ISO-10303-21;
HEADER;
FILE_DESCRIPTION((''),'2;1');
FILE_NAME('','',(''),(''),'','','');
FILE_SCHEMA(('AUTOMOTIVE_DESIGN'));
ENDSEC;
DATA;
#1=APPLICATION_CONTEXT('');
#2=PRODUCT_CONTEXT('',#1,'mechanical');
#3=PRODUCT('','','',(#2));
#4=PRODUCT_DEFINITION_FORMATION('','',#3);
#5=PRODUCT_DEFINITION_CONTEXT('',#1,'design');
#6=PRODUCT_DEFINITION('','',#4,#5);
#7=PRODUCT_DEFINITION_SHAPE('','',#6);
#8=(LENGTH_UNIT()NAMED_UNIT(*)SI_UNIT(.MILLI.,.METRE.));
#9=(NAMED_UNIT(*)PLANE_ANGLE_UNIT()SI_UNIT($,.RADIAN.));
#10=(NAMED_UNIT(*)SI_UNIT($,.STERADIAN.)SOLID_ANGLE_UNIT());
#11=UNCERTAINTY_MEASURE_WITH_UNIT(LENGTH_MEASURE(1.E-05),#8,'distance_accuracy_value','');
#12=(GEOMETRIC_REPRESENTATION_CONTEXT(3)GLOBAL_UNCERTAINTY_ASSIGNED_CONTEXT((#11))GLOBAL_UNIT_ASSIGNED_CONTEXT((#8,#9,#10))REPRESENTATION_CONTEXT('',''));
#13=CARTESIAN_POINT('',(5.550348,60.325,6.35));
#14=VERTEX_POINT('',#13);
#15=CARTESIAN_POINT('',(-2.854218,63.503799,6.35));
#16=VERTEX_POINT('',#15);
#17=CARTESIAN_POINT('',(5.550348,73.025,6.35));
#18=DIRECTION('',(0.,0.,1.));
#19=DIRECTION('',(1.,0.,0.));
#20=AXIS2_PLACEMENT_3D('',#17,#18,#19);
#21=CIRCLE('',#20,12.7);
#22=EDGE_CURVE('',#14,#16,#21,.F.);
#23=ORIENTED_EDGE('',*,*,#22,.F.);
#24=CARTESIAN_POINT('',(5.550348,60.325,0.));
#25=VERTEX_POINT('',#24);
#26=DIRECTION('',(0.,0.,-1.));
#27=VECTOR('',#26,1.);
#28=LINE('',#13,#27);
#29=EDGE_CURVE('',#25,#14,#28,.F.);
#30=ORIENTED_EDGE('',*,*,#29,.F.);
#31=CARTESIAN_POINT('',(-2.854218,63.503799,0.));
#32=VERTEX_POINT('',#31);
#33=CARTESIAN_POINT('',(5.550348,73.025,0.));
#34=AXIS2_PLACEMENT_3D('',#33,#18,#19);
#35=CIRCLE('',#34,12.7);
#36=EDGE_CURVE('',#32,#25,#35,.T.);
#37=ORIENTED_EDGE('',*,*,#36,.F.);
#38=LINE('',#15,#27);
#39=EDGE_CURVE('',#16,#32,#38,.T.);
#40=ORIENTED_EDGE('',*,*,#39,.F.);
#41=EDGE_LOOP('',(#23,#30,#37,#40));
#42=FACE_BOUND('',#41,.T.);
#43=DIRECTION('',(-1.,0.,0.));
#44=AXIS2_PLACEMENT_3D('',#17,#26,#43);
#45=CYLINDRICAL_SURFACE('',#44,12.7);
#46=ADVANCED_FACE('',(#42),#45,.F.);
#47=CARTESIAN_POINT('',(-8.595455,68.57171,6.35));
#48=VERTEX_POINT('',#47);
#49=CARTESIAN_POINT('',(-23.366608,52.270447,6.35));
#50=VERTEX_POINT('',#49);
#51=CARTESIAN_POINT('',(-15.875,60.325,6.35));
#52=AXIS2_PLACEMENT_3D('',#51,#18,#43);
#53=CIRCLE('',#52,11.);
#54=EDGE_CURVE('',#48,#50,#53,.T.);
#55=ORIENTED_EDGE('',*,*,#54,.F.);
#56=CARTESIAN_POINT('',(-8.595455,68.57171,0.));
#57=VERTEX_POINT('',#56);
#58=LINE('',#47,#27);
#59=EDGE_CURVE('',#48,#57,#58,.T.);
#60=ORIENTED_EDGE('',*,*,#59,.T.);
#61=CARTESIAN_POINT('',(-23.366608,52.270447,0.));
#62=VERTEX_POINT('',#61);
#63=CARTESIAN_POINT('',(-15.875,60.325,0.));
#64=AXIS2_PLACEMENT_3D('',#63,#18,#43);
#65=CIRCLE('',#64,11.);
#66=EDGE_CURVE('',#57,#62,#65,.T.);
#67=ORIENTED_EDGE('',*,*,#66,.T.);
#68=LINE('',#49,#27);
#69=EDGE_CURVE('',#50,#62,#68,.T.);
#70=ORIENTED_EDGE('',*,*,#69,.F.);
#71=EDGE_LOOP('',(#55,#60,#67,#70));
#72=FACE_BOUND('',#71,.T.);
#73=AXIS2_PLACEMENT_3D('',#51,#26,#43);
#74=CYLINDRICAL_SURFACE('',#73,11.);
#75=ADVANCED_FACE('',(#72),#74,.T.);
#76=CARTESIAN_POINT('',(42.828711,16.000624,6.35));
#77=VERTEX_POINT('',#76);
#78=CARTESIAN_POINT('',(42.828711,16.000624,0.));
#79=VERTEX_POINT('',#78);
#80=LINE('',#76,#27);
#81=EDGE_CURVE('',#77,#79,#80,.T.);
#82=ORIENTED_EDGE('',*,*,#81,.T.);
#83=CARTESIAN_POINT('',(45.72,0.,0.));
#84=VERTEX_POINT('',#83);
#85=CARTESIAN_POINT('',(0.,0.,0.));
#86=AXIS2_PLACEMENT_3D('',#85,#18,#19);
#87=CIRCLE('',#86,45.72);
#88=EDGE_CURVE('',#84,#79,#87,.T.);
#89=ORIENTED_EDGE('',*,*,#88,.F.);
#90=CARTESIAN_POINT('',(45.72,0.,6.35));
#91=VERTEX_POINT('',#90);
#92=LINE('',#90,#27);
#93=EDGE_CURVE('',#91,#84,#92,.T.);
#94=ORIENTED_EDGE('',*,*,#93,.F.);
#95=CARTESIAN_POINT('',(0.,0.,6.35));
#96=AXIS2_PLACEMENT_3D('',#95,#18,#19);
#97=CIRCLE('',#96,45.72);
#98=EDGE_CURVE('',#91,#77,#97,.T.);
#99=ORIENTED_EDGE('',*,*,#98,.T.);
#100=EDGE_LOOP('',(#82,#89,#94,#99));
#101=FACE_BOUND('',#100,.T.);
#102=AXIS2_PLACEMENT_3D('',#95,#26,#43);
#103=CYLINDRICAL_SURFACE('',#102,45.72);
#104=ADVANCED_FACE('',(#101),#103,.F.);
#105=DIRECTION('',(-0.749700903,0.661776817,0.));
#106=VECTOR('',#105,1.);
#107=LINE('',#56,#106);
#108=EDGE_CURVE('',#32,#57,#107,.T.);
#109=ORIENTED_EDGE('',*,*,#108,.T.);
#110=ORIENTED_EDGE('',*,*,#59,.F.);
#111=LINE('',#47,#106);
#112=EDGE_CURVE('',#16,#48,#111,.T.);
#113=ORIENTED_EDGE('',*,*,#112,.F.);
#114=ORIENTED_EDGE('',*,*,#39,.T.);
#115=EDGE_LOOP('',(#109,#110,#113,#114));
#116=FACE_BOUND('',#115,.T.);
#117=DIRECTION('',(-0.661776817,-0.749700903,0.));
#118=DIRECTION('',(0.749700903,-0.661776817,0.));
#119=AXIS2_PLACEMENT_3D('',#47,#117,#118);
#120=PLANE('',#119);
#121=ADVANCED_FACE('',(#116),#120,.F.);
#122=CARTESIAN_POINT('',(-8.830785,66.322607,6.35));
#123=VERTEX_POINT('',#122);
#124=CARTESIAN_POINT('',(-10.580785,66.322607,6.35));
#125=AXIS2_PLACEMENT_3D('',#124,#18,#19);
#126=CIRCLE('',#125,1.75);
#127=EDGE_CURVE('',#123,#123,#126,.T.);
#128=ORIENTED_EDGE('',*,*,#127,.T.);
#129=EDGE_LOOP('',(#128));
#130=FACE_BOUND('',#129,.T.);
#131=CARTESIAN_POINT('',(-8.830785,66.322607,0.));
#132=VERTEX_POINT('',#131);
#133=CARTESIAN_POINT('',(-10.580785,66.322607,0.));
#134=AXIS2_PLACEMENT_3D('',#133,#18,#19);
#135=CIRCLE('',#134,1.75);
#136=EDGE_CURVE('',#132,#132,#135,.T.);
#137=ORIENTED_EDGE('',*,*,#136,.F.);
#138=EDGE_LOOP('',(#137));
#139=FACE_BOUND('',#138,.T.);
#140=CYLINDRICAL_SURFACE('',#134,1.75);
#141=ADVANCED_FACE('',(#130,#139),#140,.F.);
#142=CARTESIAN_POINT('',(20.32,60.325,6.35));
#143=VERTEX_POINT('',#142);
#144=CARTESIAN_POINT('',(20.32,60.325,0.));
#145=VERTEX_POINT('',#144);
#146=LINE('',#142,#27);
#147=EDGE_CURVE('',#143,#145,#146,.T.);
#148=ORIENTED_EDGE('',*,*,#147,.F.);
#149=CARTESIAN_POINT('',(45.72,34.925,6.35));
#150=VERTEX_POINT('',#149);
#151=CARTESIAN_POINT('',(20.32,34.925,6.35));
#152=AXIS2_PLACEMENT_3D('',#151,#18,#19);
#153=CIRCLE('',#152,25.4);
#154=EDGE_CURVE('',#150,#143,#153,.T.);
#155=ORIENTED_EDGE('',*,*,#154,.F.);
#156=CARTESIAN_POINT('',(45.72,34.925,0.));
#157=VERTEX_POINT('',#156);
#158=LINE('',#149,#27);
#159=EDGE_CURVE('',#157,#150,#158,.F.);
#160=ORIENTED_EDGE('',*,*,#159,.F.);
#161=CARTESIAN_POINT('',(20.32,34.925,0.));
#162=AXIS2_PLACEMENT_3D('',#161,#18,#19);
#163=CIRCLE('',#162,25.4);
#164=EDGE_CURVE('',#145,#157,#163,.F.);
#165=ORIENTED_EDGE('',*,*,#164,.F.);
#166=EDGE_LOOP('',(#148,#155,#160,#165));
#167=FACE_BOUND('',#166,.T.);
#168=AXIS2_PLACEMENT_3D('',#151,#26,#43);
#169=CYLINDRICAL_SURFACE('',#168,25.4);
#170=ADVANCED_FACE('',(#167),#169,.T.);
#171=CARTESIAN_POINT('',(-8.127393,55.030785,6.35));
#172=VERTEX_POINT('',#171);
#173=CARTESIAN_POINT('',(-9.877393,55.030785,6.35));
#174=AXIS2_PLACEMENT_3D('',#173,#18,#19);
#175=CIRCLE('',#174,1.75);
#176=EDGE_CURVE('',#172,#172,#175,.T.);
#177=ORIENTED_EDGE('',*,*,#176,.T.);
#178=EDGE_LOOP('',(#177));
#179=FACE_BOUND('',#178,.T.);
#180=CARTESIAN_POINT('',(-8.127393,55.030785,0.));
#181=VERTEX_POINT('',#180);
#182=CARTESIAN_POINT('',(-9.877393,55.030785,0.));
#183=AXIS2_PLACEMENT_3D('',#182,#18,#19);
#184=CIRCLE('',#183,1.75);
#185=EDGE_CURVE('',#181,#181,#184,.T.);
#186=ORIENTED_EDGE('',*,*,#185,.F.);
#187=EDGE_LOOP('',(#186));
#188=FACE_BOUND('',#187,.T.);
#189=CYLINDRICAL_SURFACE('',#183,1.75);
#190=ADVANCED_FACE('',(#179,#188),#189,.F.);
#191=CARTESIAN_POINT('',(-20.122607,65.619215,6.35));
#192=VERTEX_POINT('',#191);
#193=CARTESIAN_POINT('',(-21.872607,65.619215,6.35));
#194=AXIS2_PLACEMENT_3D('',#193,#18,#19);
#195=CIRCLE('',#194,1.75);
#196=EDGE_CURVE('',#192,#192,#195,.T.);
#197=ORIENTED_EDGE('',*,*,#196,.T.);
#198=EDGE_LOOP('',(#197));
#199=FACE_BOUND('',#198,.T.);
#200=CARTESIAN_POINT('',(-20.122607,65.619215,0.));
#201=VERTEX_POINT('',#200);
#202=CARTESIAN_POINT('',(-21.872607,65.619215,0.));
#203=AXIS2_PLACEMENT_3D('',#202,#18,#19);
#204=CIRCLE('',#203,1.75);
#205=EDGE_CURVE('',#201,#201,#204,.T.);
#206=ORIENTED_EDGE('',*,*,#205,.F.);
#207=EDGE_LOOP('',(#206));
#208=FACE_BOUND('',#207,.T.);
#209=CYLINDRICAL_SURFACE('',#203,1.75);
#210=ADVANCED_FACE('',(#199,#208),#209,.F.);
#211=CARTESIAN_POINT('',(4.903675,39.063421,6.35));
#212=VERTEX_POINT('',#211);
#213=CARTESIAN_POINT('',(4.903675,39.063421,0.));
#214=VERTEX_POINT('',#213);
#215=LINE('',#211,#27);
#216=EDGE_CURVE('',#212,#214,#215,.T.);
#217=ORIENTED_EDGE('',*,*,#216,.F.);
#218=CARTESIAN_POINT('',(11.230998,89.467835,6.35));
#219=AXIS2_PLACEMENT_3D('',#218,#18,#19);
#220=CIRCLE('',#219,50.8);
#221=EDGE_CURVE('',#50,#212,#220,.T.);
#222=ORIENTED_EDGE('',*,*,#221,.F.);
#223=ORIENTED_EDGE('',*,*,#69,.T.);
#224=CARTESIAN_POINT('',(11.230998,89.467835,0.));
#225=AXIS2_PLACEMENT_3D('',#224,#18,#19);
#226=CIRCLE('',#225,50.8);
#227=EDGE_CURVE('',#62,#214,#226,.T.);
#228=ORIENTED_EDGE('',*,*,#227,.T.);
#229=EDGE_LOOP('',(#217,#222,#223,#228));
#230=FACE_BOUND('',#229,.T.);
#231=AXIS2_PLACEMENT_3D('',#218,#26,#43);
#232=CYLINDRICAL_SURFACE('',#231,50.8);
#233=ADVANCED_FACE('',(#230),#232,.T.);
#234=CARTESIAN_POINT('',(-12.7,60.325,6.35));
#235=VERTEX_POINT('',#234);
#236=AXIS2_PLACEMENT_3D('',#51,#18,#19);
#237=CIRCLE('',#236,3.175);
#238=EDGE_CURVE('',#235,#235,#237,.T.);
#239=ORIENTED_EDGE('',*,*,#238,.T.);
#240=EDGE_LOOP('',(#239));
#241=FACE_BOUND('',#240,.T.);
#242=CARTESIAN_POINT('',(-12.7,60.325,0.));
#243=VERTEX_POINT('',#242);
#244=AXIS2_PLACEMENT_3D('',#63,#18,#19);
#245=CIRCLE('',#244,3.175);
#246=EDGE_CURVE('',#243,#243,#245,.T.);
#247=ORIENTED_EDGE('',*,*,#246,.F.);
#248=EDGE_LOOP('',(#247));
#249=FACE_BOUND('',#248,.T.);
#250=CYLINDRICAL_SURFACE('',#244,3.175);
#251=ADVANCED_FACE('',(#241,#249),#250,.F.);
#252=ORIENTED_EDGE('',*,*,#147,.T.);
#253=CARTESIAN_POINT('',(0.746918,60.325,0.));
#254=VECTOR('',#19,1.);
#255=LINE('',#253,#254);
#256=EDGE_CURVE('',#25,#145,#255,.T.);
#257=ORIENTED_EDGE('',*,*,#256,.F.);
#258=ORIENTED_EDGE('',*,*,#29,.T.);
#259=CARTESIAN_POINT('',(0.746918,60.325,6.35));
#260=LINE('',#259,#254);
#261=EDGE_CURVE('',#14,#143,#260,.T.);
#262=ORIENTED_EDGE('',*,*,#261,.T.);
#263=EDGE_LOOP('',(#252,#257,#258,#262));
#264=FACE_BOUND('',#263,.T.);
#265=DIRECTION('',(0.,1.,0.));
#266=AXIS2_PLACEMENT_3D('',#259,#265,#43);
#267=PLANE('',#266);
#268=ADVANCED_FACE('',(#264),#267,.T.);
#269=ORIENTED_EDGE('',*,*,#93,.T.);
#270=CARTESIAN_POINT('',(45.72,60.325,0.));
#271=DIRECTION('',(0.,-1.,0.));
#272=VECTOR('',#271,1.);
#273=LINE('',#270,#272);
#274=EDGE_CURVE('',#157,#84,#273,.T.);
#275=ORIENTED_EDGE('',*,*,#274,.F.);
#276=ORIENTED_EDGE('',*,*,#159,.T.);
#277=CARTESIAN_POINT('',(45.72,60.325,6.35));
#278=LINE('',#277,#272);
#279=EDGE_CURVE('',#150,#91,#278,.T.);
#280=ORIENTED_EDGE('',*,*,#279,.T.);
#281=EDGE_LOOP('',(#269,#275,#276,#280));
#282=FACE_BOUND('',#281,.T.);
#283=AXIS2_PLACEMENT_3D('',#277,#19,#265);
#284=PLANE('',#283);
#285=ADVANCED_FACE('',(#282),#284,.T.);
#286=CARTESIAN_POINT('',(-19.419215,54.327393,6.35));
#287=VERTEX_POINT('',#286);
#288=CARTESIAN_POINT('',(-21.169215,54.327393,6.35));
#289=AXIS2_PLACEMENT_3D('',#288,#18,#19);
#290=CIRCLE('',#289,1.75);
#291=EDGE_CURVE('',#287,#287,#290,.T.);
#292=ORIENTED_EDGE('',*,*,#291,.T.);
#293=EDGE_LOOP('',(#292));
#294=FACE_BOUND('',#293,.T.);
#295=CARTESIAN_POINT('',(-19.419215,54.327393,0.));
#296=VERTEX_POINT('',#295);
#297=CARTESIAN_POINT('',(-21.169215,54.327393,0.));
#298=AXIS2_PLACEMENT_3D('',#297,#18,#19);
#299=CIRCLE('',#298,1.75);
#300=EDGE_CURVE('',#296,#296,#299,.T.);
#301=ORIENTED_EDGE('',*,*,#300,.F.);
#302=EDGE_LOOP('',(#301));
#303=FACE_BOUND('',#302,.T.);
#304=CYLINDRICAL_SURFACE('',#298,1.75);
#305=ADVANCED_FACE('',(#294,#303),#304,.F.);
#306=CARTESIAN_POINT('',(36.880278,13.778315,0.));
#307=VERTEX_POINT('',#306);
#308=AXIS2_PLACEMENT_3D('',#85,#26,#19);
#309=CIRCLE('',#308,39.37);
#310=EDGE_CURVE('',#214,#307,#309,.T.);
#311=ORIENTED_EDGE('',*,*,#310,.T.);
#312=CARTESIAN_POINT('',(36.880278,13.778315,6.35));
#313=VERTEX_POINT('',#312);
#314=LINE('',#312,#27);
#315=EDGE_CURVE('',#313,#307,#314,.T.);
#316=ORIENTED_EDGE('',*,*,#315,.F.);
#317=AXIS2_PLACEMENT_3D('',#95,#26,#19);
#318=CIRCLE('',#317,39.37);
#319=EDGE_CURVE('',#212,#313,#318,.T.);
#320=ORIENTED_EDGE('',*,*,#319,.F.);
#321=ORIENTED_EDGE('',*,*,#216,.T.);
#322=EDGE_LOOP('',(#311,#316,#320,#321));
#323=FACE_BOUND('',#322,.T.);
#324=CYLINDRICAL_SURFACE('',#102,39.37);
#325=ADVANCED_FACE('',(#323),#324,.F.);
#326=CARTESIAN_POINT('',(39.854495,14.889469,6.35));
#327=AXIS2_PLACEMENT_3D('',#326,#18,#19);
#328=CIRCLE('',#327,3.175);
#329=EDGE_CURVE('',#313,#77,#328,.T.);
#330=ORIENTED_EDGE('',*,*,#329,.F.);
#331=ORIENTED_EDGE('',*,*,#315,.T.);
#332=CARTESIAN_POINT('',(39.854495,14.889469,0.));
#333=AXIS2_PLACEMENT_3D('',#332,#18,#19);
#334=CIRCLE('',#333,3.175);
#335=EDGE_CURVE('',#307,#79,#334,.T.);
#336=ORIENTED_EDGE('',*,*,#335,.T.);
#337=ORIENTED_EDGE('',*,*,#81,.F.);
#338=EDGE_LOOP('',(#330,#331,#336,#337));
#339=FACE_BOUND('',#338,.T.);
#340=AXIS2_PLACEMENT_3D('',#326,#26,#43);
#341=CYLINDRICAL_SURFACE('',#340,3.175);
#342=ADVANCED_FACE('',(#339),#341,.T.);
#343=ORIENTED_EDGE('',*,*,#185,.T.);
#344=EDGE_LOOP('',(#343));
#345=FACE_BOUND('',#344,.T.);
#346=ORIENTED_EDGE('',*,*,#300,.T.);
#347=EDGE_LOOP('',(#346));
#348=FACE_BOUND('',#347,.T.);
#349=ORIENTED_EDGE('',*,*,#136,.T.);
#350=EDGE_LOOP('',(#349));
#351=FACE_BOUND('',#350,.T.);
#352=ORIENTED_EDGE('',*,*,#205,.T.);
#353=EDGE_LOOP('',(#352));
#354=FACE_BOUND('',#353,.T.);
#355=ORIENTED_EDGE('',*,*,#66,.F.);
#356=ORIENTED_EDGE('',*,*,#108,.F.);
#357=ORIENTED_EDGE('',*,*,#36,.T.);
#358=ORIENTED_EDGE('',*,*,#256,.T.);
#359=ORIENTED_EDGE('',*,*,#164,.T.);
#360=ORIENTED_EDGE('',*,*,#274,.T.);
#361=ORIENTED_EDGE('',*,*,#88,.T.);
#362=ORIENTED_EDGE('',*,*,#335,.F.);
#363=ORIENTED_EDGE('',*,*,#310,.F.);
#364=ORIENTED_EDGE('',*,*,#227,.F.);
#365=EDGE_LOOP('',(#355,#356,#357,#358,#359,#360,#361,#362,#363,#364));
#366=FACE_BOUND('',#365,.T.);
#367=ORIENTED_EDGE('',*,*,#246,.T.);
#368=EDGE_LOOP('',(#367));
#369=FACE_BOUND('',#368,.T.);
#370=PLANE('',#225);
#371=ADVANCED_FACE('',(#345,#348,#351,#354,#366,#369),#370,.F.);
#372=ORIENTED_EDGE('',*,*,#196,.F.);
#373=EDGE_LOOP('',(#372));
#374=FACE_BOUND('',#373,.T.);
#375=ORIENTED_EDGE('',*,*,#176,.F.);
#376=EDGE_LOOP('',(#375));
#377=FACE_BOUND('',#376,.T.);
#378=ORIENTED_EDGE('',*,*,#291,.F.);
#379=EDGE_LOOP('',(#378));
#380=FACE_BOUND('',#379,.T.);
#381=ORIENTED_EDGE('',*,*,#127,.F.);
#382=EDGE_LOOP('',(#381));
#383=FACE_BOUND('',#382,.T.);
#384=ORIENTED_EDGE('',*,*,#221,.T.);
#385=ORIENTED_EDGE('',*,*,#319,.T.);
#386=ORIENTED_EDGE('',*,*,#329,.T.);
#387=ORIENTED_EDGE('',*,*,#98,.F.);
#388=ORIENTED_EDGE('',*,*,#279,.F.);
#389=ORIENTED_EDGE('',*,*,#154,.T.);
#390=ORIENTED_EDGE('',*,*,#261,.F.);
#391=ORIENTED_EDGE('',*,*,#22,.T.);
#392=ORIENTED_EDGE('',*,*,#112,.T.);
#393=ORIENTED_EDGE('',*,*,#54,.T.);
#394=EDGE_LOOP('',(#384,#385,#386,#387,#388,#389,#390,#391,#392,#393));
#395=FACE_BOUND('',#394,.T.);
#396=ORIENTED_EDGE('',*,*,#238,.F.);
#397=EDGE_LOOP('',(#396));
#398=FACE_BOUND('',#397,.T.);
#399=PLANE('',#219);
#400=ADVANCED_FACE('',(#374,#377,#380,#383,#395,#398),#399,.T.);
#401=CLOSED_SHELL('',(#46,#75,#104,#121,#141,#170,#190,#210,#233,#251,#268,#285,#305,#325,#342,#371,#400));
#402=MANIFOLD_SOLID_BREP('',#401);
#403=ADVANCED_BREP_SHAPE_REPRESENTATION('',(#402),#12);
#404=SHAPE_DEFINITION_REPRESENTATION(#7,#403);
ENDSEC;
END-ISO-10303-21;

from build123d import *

# Parameters (mm, degrees)
BOSS_EXTRUDE1_DEPTH = 6.35
SKETCH2_R           = 3.175
SKETCH2_R_2         = 1.75
CUT_EXTRUDE1_DEPTH  = 7.35
BOSS_EXTRUDE2_DEPTH = 6.35
FILLET1_R           = 12.7
FILLET2_R           = 25.4


with BuildPart() as part:
    # Sketch1 → Boss-Extrude1 (new body)
    with BuildSketch(Plane.XY):
        with BuildLine():
            Line((-8.595455009, 68.571709933), (30.25643609, 34.276325287))
            ThreePointArc((30.25643609, 34.276325287), (37.667757847, 25.912514713), (42.82871051, 16.000623615))
            ThreePointArc((42.82871051, 16.000623615), (40.96564892, 11.91525319), (36.880278494, 13.77831478))
            ThreePointArc((36.880278494, 13.77831478), (24.419435892, 30.881840145), (4.903675305, 39.063421106))
            ThreePointArc((4.903675305, 39.063421106), (-10.270602503, 43.44261231), (-23.366607565, 52.270447493))
            ThreePointArc((-23.366607565, 52.270447493), (-24.02632087, 67.711201194), (-8.595455009, 68.571709933))
        make_face()
    extrude(amount=BOSS_EXTRUDE1_DEPTH)

    # Sketch2 → Cut-Extrude1 (cut, through all)
    with BuildSketch(Plane.XY.offset(6.35)):
        with Locations((-15.875, 60.325)):
            Circle(SKETCH2_R)
        with Locations((-10.580785461, 66.322607224)):
            Circle(SKETCH2_R_2)
        with Locations((-9.877392776, 55.030785461)):
            Circle(SKETCH2_R_2)
        with Locations((-21.169214539, 54.327392776)):
            Circle(SKETCH2_R_2)
        with Locations((-21.872607224, 65.619214539)):
            Circle(SKETCH2_R_2)
    extrude(amount=-CUT_EXTRUDE1_DEPTH, mode=Mode.SUBTRACT)

    # Sketch3 → Boss-Extrude2 (add, through all)
    with BuildSketch(Plane(origin=(0, 0, 0), x_dir=(-1, 0, 0), z_dir=(0, 0, -1))):
        with BuildLine():
            Line((-0.746918011, 60.325), (-45.72, 60.325))
            Line((-45.72, 60.325), (-45.72, 0))
            ThreePointArc((-45.72, 0), (-41.67518841, 18.801517784), (-30.25643609, 34.276325287))
            Line((-30.25643609, 34.276325287), (-0.746918011, 60.325))
        make_face()
    extrude(amount=-BOSS_EXTRUDE2_DEPTH)

    # Fillet1
    fillet1_edges = [part.edges().sort_by_distance(p)[0] for p in [
        (0.746918011, 60.325, 3.175),
    ]]
    fillet(fillet1_edges, radius=FILLET1_R)

    # Fillet2
    fillet2_edges = [part.edges().sort_by_distance(p)[0] for p in [
        (45.72, 60.325, 3.175),
    ]]
    fillet(fillet2_edges, radius=FILLET2_R)


solid = part.part
